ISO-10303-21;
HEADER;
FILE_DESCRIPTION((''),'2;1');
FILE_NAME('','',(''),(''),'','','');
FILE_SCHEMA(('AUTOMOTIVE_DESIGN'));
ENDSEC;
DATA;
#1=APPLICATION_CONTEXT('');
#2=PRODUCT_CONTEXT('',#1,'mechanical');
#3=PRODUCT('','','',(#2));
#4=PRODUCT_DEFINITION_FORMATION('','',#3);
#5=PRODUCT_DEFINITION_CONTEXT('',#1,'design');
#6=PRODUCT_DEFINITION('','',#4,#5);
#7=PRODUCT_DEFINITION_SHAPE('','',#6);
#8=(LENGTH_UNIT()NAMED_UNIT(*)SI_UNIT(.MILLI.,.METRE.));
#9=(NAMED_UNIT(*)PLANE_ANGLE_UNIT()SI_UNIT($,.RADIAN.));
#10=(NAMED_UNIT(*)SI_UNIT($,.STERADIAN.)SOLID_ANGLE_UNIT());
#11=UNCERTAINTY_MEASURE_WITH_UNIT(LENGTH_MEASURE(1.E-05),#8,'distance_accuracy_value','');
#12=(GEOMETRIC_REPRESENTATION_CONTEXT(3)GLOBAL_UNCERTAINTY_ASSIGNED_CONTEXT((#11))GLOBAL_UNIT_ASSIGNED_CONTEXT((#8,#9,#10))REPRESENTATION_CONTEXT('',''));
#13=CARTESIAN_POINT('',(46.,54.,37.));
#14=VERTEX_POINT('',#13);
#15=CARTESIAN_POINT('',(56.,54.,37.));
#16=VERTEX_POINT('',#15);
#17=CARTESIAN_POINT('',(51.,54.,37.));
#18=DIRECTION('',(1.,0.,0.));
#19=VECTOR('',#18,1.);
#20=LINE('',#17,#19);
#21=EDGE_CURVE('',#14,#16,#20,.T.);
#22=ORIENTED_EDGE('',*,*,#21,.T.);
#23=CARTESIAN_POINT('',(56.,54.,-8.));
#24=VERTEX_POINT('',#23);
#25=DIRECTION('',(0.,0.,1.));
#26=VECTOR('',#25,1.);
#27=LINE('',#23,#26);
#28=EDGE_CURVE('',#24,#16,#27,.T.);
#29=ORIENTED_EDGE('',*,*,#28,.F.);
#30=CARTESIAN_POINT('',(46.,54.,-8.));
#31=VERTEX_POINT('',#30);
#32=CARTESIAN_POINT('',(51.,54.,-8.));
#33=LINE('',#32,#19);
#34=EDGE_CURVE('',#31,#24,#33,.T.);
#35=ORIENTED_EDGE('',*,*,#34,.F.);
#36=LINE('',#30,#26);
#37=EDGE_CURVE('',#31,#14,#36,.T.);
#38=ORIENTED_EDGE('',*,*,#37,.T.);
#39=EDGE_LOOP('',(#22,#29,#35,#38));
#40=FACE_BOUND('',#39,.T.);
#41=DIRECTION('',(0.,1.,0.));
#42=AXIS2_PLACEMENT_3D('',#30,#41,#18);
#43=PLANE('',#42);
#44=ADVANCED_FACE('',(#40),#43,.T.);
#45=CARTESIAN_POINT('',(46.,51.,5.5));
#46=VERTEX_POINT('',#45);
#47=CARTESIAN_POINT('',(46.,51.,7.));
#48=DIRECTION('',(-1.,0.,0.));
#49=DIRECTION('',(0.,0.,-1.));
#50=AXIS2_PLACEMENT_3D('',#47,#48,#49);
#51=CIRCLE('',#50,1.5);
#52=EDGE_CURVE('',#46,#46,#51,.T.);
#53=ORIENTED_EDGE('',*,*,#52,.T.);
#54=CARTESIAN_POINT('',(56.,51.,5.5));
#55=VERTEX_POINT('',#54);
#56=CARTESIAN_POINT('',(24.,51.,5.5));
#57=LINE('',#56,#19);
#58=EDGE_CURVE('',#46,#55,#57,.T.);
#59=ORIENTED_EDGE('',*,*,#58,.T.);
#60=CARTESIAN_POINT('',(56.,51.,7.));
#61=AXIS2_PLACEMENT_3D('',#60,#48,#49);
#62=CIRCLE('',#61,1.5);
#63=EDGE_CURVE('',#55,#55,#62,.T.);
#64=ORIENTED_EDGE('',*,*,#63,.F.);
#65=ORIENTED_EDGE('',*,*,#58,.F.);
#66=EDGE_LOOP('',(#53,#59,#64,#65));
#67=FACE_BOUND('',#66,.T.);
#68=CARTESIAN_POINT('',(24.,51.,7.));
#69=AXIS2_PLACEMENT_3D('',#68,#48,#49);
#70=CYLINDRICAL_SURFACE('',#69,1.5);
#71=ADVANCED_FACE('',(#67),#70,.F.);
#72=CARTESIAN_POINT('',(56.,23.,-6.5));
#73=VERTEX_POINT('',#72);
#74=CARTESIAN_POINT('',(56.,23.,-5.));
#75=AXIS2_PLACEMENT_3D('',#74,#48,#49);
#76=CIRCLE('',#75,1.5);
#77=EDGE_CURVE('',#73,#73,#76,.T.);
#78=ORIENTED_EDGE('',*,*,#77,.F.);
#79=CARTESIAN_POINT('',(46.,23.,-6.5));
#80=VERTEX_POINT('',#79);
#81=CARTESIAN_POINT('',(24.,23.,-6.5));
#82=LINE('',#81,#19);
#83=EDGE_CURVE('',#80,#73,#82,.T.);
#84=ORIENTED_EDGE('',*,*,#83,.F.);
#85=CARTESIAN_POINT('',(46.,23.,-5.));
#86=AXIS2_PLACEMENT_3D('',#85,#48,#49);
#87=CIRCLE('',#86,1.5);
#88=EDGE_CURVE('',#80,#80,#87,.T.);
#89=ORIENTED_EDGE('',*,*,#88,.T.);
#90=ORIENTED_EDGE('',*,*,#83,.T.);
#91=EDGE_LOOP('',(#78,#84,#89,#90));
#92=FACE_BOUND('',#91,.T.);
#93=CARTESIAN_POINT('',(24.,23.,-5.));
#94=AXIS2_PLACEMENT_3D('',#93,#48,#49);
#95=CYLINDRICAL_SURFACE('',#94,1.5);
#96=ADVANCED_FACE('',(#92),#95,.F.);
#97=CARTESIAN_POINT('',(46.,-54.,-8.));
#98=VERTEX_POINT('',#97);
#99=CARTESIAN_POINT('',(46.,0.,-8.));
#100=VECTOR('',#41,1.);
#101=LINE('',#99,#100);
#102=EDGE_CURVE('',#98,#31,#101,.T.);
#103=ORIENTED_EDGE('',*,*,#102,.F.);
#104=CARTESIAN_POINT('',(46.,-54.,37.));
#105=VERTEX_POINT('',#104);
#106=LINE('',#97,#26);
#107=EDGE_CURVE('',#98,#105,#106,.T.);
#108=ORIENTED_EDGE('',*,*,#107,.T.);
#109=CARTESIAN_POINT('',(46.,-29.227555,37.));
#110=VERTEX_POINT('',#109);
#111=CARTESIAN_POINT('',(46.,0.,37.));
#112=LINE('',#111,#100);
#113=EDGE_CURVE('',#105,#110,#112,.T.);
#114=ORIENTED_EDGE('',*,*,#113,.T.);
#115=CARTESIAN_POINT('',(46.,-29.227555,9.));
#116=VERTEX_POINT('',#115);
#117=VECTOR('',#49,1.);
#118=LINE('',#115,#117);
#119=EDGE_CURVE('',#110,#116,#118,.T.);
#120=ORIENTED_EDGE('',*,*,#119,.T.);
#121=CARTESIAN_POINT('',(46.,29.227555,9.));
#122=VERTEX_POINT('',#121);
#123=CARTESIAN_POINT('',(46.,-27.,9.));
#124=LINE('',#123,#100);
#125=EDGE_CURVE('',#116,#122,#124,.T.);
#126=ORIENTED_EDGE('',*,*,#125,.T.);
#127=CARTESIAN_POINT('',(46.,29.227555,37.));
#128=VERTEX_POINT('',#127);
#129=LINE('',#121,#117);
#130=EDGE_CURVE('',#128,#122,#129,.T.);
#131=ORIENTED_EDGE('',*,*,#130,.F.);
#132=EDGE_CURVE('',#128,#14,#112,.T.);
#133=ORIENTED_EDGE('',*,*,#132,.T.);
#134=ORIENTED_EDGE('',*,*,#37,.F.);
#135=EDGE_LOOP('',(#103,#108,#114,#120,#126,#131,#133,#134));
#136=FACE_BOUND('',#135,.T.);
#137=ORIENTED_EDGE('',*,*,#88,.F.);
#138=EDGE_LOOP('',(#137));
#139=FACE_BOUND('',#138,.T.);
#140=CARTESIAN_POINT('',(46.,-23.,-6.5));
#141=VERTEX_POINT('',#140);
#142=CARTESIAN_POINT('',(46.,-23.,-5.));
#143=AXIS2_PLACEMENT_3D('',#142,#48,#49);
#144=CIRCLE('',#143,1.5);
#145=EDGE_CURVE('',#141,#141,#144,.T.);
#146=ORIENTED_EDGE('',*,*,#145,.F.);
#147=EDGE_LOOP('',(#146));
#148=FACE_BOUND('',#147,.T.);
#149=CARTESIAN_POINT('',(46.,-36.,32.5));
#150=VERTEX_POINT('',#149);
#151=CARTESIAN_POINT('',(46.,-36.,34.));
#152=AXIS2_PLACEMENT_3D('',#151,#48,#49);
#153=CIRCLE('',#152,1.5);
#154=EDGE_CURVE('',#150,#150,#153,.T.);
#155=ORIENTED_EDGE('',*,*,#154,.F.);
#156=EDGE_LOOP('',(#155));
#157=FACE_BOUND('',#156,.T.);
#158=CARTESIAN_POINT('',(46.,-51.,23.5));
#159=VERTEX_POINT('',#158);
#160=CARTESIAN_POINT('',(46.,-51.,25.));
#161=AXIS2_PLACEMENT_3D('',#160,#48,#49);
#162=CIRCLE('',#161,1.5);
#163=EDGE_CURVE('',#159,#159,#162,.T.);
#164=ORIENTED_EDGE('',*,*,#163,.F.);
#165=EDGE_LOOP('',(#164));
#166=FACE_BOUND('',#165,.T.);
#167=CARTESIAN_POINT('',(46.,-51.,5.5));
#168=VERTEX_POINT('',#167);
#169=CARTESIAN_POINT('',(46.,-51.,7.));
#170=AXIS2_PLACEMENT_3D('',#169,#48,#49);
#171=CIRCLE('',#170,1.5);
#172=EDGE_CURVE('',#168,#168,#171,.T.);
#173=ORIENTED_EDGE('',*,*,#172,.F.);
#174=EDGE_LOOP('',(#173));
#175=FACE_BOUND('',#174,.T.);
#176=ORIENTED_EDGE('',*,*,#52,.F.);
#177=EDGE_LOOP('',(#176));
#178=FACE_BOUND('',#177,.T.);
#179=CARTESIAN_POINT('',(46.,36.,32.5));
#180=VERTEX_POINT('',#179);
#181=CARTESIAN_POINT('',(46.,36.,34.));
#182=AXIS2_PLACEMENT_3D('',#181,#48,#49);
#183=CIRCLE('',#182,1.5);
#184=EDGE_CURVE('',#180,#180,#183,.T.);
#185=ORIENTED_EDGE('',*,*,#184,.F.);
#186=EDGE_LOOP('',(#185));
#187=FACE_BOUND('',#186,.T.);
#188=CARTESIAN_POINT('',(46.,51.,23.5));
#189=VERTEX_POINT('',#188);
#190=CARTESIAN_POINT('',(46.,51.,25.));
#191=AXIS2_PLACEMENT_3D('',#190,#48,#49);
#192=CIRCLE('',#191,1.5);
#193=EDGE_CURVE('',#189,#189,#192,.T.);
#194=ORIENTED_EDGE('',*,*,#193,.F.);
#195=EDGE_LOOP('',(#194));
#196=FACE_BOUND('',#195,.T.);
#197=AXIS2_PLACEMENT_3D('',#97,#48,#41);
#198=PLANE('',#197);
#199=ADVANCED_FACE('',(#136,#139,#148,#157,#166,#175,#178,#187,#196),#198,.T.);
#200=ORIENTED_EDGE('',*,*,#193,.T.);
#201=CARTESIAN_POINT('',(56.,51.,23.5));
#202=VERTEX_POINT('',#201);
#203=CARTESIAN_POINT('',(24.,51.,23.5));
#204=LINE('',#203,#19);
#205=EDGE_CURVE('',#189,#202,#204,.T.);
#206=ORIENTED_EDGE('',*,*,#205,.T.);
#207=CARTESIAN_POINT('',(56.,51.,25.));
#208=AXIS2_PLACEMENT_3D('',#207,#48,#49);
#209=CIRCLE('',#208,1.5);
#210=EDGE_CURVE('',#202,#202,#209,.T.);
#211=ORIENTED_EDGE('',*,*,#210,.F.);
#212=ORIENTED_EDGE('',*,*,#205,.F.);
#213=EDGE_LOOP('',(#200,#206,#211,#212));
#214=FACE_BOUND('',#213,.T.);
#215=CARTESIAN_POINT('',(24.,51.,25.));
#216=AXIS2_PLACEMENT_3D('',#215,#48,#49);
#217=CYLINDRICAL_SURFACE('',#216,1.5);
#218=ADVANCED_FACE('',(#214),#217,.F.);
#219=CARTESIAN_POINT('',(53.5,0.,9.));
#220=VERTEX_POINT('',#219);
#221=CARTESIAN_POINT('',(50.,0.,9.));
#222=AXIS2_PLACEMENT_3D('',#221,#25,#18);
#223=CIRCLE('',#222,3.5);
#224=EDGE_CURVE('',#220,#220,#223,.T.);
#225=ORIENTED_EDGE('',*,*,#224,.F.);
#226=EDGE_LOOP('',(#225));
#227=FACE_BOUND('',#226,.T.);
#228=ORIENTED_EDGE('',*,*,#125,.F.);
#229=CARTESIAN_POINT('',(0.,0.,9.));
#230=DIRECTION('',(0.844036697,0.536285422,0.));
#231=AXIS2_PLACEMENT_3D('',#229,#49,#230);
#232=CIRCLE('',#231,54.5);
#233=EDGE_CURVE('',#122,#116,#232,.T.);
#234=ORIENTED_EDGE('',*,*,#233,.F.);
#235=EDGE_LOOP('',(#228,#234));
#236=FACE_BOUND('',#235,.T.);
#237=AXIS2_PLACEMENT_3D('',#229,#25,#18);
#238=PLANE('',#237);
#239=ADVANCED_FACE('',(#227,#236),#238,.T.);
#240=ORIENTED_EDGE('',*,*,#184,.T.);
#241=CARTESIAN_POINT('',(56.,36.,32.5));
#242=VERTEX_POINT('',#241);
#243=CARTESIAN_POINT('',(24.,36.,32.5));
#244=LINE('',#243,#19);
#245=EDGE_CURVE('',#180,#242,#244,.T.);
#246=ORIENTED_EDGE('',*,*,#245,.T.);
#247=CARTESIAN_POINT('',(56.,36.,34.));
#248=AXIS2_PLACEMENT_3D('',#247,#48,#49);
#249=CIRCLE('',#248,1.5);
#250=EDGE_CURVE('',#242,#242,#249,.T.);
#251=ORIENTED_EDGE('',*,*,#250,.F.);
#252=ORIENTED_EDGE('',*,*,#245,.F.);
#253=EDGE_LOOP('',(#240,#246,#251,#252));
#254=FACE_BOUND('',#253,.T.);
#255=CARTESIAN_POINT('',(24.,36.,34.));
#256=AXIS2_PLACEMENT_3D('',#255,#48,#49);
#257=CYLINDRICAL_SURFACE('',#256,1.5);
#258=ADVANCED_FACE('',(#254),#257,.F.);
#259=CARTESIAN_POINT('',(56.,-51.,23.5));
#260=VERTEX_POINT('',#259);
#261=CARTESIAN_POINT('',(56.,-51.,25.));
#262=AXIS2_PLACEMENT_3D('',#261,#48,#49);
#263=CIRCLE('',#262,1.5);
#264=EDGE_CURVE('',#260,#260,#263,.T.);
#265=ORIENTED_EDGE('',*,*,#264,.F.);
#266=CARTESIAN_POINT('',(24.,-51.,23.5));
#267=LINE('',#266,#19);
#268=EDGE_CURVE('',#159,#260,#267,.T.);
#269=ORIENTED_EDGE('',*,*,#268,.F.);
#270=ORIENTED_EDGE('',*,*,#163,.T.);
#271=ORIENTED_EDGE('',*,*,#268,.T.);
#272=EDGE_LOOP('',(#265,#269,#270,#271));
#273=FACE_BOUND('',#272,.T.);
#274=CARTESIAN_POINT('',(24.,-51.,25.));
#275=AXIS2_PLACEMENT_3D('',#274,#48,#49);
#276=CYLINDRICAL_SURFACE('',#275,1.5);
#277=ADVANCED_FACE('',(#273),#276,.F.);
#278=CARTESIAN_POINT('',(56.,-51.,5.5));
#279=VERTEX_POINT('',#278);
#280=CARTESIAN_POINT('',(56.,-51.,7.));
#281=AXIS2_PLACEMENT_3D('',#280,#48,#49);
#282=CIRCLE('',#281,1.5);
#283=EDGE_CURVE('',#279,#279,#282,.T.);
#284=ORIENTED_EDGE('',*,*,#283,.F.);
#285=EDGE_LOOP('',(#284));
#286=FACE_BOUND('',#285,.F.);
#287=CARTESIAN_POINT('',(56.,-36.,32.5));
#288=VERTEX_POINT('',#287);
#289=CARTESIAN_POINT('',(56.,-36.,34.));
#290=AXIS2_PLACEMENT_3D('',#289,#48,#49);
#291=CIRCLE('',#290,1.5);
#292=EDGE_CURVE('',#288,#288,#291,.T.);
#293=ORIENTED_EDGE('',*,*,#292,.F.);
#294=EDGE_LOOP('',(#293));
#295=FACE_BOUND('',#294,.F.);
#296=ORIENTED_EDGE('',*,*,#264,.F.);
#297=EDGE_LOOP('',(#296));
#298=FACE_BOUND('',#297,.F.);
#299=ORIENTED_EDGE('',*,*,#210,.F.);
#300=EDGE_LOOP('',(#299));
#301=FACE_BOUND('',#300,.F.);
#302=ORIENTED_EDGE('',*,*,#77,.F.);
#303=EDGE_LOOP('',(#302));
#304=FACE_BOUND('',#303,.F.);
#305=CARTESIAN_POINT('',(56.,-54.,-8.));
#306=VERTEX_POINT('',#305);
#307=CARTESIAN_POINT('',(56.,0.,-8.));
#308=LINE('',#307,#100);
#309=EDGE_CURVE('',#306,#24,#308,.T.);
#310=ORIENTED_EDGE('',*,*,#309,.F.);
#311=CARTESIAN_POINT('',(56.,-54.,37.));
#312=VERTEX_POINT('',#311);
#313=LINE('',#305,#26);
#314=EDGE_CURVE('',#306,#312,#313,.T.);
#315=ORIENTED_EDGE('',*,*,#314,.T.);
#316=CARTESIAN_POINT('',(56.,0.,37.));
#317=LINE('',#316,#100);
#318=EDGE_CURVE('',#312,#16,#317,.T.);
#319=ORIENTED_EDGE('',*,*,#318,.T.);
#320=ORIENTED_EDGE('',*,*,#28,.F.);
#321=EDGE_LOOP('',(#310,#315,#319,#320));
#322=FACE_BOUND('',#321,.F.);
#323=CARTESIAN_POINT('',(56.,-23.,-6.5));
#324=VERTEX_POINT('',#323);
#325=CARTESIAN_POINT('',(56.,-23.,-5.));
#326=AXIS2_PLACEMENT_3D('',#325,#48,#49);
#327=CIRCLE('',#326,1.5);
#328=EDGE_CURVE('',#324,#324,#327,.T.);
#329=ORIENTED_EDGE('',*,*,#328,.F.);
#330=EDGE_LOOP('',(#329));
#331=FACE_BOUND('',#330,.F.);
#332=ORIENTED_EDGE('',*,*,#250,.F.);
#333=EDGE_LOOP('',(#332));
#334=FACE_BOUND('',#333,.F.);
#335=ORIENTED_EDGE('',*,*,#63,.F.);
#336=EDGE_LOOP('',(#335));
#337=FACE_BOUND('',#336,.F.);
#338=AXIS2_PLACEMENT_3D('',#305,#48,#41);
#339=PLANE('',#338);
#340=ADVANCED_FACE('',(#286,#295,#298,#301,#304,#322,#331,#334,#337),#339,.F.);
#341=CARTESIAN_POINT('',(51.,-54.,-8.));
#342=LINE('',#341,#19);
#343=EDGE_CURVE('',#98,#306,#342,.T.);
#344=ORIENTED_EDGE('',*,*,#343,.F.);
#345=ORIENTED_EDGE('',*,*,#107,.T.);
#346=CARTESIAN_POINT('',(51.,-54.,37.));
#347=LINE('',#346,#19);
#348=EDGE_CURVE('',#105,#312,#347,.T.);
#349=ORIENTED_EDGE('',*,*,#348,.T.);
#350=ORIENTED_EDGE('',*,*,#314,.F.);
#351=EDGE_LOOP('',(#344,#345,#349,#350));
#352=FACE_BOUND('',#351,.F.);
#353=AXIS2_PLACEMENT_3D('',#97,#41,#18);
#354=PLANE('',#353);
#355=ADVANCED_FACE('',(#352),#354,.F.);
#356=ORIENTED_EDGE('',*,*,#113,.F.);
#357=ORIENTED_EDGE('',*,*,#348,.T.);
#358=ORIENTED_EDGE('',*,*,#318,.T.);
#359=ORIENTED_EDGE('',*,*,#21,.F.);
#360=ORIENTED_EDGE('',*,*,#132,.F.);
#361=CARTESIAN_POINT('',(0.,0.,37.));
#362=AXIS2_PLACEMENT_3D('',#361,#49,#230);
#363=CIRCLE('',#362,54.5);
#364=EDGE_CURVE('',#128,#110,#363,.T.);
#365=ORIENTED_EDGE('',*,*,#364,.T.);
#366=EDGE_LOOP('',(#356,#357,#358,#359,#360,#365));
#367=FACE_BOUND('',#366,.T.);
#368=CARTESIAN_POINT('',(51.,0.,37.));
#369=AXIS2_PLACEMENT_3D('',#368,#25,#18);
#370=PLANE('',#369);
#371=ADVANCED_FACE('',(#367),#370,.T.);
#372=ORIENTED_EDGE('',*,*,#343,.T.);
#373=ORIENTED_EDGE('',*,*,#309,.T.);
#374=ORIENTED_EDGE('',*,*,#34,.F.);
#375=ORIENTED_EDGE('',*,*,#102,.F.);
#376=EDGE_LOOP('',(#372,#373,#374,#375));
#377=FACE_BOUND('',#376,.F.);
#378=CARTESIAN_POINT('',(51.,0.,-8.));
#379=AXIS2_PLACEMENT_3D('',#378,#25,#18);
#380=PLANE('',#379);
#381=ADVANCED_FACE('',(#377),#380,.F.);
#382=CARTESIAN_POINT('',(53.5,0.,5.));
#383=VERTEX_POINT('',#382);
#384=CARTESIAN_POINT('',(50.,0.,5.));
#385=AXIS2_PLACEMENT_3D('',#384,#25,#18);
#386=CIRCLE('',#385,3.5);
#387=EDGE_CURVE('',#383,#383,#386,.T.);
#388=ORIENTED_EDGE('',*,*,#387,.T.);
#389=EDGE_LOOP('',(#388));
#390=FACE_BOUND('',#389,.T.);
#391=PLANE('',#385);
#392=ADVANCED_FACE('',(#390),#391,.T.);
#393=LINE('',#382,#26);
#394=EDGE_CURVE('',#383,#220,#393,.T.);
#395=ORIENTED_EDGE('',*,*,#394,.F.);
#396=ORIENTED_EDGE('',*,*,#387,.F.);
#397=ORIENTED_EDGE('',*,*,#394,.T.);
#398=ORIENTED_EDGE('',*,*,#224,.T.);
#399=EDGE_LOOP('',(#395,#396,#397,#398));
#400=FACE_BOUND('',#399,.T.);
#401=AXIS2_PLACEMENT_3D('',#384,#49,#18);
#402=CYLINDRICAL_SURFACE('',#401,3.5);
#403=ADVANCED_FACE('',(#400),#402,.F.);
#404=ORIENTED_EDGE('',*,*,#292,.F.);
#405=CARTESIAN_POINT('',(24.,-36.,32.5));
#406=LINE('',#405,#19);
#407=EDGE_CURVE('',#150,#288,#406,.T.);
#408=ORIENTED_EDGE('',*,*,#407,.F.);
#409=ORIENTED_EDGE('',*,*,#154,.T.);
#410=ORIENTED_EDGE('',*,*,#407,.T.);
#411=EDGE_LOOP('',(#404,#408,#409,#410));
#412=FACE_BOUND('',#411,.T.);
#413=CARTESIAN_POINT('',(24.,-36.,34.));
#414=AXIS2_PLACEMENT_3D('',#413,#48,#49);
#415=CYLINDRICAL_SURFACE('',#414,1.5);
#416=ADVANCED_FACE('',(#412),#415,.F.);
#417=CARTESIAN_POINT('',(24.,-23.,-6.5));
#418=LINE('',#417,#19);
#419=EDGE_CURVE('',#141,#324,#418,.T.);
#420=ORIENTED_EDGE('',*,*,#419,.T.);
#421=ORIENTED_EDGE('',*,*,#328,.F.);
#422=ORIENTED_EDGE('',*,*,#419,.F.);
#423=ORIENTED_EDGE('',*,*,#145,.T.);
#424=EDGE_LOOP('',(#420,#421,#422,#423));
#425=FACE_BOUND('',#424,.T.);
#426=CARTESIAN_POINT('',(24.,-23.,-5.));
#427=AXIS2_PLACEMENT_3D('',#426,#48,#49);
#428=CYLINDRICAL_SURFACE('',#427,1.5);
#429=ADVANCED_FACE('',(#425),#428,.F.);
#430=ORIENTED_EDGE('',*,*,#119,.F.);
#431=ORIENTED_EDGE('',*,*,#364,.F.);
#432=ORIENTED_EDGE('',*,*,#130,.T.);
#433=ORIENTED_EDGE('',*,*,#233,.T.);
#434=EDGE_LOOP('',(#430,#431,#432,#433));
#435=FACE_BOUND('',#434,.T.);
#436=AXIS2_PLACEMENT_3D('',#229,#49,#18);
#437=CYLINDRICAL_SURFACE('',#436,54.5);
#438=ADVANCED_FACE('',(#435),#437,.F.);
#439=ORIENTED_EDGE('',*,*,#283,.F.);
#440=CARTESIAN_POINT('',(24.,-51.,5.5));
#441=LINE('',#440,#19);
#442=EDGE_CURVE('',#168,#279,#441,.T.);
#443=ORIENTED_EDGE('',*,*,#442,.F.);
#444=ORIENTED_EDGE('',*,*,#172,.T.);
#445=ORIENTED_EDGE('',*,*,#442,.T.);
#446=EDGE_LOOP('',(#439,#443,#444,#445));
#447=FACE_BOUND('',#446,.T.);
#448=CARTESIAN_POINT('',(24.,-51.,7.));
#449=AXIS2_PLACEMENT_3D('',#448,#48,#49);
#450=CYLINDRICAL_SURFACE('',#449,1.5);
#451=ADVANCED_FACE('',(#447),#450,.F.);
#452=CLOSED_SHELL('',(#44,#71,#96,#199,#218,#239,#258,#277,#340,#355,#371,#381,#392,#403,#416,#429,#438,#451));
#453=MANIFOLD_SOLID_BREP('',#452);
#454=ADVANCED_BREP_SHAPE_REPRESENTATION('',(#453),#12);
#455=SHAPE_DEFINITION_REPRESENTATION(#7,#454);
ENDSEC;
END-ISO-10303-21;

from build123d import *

# Parameters (mm, degrees)
CYLINDER485_R     = 3.5
CYLINDER485_DEPTH = 4
CYLINDER484_R     = 54.5
CYLINDER484_DEPTH = 28
CYLINDER473_R     = 1.5
CYLINDER473_DEPTH = 100
CYLINDER471_R     = 1.5
CYLINDER471_DEPTH = 100
CYLINDER464_R     = 1.5
CYLINDER464_DEPTH = 100
CYLINDER466_R     = 1.5
CYLINDER466_DEPTH = 100
CYLINDER460_R     = 1.5
CYLINDER460_DEPTH = 100
CYLINDER463_R     = 1.5
CYLINDER463_DEPTH = 100
CYLINDER468_R     = 1.5
CYLINDER468_DEPTH = 100
CYLINDER470_R     = 1.5
CYLINDER470_DEPTH = 100
BOX213_W          = 10
BOX213_H          = 108
BOX213_DEPTH      = 45


with BuildPart() as v_lec485:
    # Cylinder485 → Cylinder485 (new body)
    with BuildSketch(Plane(origin=(50, 0, 5), x_dir=(1, 0, 0), z_dir=(0, 0, 1))):
        Circle(CYLINDER485_R)
    extrude(amount=CYLINDER485_DEPTH)


with BuildPart() as v_lec484:
    # Cylinder484 → Cylinder484 (new body)
    with BuildSketch(Plane.XY.offset(9)):
        Circle(CYLINDER484_R)
    extrude(amount=CYLINDER484_DEPTH)


with BuildPart() as v_lec473:
    # Cylinder473 → Cylinder473 (new body)
    with BuildSketch(Plane(origin=(24, -51, 25), x_dir=(0, 0, -1), z_dir=(1, 0, 0))):
        Circle(CYLINDER473_R)
    extrude(amount=CYLINDER473_DEPTH)


with BuildPart() as v_lec471:
    # Cylinder471 → Cylinder471 (new body)
    with BuildSketch(Plane(origin=(24, 36, 34), x_dir=(0, 0, -1), z_dir=(1, 0, 0))):
        Circle(CYLINDER471_R)
    extrude(amount=CYLINDER471_DEPTH)


with BuildPart() as v_lec464:
    # Cylinder464 → Cylinder464 (new body)
    with BuildSketch(Plane(origin=(24, -36, 34), x_dir=(0, 0, -1), z_dir=(1, 0, 0))):
        Circle(CYLINDER464_R)
    extrude(amount=CYLINDER464_DEPTH)


with BuildPart() as v_lec466:
    # Cylinder466 → Cylinder466 (new body)
    with BuildSketch(Plane(origin=(24, -23, -5), x_dir=(0, 0, -1), z_dir=(1, 0, 0))):
        Circle(CYLINDER466_R)
    extrude(amount=CYLINDER466_DEPTH)


with BuildPart() as v_lec460:
    # Cylinder460 → Cylinder460 (new body)
    with BuildSketch(Plane(origin=(24, 51, 7), x_dir=(0, 0, -1), z_dir=(1, 0, 0))):
        Circle(CYLINDER460_R)
    extrude(amount=CYLINDER460_DEPTH)


with BuildPart() as v_lec463:
    # Cylinder463 → Cylinder463 (new body)
    with BuildSketch(Plane(origin=(24, 23, -5), x_dir=(0, 0, -1), z_dir=(1, 0, 0))):
        Circle(CYLINDER463_R)
    extrude(amount=CYLINDER463_DEPTH)


with BuildPart() as v_lec468:
    # Cylinder468 → Cylinder468 (new body)
    with BuildSketch(Plane(origin=(24, -51, 7), x_dir=(0, 0, -1), z_dir=(1, 0, 0))):
        Circle(CYLINDER468_R)
    extrude(amount=CYLINDER468_DEPTH)


with BuildPart() as compound594:
    # Cylinder470 → Cylinder470 (new body)
    with BuildSketch(Plane(origin=(24, 51, 25), x_dir=(0, 0, -1), z_dir=(1, 0, 0))):
        Circle(CYLINDER470_R)
    extrude(amount=CYLINDER470_DEPTH)

    # Compound594: union Válec473, Válec471, Válec464, Válec466, Válec460, Válec463, Válec468
    add(v_lec473.part)
    add(v_lec471.part)
    add(v_lec464.part)
    add(v_lec466.part)
    add(v_lec460.part)
    add(v_lec463.part)
    add(v_lec468.part)


with BuildPart() as cut371:
    # Box213 → Box213 (new body)
    with BuildSketch(Plane(origin=(46, -54, -8), x_dir=(1, 0, 0), z_dir=(0, 0, 1))):
        with Locations((5, 54)):
            Rectangle(BOX213_W, BOX213_H)
    extrude(amount=BOX213_DEPTH)

    # Cut374: cut Compound594
    add(compound594.part, mode=Mode.SUBTRACT)

    # Cut375: cut Válec484
    add(v_lec484.part, mode=Mode.SUBTRACT)

    # Cut371: cut Válec485
    add(v_lec485.part, mode=Mode.SUBTRACT)


solid = cut371.part
